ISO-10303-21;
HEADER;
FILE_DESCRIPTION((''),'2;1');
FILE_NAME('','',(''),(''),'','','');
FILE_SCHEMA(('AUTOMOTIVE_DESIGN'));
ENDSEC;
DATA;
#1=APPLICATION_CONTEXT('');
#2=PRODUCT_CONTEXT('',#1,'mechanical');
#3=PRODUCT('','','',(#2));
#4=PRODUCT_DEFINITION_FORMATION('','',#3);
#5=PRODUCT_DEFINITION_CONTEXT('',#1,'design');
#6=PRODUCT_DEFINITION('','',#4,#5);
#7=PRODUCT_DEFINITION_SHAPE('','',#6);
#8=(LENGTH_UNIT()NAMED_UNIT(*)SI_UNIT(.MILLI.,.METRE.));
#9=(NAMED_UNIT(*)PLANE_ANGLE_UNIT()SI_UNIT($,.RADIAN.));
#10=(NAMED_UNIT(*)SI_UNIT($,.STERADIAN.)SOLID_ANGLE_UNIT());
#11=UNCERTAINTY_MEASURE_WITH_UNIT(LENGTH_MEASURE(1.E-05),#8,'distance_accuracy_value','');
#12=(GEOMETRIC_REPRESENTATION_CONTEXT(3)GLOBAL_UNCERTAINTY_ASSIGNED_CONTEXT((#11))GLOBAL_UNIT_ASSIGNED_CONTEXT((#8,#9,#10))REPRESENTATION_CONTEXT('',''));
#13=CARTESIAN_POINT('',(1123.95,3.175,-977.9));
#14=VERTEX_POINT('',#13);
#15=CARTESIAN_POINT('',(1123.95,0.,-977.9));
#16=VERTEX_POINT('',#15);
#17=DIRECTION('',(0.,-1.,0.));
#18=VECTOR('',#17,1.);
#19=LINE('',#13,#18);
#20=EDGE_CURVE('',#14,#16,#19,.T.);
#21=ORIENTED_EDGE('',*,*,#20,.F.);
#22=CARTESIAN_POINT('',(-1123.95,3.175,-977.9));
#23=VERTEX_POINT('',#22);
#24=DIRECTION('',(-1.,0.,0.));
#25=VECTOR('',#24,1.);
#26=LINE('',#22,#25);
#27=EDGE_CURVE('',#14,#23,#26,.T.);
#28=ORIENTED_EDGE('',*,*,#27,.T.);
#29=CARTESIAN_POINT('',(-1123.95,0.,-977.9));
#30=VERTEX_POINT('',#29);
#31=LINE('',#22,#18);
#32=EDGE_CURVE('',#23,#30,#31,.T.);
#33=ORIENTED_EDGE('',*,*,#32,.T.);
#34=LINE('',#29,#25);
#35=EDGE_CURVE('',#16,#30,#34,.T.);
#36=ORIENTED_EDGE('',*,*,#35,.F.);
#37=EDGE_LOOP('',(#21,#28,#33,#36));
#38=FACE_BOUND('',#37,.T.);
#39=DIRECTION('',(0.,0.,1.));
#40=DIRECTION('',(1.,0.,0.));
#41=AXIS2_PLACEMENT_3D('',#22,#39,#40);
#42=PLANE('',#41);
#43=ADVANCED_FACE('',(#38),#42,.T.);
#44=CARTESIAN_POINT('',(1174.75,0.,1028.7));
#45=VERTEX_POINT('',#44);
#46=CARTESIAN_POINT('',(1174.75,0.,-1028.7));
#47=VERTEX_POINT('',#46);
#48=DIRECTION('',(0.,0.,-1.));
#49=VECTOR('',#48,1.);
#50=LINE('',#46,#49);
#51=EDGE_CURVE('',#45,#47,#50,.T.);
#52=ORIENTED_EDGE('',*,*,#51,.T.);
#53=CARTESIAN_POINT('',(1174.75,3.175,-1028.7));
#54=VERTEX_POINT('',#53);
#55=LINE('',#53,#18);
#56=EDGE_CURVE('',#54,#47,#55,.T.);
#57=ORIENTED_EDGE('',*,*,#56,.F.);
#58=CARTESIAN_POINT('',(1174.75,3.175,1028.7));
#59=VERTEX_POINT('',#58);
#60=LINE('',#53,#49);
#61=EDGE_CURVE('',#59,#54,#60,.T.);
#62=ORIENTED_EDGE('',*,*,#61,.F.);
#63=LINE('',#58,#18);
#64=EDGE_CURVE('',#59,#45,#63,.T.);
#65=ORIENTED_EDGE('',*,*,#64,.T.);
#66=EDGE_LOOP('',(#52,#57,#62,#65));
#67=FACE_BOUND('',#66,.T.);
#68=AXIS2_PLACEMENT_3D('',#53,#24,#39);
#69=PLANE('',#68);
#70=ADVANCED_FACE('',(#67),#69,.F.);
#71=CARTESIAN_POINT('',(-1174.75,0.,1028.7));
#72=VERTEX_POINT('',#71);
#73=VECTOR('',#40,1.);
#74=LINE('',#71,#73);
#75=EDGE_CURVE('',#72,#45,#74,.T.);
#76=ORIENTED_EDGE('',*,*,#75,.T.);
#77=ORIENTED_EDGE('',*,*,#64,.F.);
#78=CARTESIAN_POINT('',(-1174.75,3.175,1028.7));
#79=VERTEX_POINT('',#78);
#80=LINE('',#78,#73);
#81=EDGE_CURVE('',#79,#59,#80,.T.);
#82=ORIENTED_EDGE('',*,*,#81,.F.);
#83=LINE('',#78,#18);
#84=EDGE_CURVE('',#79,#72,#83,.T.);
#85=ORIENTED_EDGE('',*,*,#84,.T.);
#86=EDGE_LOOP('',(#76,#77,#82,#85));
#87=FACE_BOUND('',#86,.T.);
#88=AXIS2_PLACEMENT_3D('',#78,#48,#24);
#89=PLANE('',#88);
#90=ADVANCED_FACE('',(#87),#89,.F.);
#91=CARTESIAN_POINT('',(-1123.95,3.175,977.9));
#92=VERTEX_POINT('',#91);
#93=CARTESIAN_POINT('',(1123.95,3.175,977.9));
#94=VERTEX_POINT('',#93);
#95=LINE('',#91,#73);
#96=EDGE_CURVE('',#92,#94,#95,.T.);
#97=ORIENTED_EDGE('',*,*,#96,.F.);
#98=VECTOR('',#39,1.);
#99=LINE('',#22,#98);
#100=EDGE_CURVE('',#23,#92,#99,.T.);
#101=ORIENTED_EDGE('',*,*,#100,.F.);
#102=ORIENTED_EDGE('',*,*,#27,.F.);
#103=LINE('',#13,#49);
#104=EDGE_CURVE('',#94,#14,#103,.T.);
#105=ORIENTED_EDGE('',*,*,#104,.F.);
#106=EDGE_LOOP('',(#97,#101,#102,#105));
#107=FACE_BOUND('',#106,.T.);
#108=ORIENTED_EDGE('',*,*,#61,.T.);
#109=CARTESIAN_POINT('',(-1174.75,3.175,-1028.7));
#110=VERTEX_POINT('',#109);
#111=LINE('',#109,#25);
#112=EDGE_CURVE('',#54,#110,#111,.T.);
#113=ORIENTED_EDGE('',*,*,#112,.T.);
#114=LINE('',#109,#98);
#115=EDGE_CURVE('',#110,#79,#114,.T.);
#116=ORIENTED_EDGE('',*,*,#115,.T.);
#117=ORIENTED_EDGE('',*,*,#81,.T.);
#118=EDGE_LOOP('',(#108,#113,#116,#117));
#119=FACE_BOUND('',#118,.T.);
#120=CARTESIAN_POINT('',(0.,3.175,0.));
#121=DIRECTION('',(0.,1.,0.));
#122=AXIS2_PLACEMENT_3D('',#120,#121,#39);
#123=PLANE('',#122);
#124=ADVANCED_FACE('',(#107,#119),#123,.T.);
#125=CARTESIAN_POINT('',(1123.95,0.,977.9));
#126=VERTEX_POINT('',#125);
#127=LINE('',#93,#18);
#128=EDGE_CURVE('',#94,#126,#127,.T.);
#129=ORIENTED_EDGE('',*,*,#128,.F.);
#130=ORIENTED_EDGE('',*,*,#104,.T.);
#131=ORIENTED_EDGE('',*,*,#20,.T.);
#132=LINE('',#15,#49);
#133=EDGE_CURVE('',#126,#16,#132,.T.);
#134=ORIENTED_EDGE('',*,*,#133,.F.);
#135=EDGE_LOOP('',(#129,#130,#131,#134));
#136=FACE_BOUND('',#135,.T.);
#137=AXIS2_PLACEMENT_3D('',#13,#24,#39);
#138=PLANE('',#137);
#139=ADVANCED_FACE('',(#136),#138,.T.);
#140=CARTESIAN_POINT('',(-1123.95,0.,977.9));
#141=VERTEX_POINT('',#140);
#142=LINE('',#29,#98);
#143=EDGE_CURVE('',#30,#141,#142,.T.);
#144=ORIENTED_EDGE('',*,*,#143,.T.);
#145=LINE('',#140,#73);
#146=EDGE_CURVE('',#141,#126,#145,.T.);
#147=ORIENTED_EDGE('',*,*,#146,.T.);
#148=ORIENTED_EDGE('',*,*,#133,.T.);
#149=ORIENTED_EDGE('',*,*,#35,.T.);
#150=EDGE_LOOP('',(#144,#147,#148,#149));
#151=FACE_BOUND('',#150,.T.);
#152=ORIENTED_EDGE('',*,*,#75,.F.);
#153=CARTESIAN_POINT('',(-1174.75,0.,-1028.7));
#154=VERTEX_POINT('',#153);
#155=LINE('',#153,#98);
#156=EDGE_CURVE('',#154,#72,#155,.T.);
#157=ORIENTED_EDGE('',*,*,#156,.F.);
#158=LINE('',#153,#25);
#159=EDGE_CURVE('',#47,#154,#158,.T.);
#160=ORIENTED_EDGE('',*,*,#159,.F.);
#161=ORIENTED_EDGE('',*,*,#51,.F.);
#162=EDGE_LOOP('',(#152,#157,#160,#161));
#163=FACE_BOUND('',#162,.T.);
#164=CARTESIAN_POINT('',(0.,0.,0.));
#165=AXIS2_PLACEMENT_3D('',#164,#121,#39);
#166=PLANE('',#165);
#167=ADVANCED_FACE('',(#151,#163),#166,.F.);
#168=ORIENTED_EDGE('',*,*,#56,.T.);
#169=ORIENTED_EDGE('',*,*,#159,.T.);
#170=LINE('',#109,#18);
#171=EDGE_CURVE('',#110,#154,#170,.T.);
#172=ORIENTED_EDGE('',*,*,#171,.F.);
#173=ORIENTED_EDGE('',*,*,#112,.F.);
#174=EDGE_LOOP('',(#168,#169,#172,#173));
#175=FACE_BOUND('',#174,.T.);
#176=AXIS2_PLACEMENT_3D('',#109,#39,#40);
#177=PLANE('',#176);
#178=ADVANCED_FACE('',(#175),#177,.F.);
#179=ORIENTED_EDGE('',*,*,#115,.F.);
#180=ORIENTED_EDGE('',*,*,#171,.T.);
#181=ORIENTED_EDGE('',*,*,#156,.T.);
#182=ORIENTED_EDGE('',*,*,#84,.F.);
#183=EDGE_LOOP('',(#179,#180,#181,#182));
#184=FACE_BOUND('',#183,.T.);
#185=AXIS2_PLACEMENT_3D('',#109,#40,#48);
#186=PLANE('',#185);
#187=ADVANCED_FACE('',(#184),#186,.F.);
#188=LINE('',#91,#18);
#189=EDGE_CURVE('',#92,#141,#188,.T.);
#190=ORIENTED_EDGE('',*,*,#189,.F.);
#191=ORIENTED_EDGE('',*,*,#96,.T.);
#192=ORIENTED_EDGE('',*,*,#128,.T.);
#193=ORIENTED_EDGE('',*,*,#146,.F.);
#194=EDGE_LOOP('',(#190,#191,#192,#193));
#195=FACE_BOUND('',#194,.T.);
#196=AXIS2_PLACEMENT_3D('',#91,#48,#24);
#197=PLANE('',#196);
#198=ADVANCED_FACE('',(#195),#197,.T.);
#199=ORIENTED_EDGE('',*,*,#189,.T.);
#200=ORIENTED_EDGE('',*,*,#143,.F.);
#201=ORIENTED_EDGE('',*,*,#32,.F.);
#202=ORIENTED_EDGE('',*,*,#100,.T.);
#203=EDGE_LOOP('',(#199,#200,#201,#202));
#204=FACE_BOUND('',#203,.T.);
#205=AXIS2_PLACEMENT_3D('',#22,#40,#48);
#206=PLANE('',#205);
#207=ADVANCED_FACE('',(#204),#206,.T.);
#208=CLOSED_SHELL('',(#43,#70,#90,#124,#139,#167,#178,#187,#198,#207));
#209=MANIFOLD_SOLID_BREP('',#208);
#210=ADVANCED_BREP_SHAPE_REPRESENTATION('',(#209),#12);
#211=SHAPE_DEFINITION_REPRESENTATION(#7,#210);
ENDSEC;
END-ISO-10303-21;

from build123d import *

# Parameters (mm, degrees)
SKETCH1_W           = 2349.5
SKETCH1_H           = 2057.4
SKETCH1_W_2         = 2247.9
SKETCH1_H_2         = 1955.8
BOSS_EXTRUDE1_DEPTH = 3.175


with BuildPart() as part:
    # Sketch1 → Boss-Extrude1 (new body)
    with BuildSketch(Plane(origin=(0, 0, 0), x_dir=(1, 0, 0), z_dir=(0, 1, 0))):
        Rectangle(SKETCH1_W, SKETCH1_H)
        Rectangle(SKETCH1_W_2, SKETCH1_H_2, mode=Mode.SUBTRACT)
    extrude(amount=BOSS_EXTRUDE1_DEPTH)


solid = part.part
